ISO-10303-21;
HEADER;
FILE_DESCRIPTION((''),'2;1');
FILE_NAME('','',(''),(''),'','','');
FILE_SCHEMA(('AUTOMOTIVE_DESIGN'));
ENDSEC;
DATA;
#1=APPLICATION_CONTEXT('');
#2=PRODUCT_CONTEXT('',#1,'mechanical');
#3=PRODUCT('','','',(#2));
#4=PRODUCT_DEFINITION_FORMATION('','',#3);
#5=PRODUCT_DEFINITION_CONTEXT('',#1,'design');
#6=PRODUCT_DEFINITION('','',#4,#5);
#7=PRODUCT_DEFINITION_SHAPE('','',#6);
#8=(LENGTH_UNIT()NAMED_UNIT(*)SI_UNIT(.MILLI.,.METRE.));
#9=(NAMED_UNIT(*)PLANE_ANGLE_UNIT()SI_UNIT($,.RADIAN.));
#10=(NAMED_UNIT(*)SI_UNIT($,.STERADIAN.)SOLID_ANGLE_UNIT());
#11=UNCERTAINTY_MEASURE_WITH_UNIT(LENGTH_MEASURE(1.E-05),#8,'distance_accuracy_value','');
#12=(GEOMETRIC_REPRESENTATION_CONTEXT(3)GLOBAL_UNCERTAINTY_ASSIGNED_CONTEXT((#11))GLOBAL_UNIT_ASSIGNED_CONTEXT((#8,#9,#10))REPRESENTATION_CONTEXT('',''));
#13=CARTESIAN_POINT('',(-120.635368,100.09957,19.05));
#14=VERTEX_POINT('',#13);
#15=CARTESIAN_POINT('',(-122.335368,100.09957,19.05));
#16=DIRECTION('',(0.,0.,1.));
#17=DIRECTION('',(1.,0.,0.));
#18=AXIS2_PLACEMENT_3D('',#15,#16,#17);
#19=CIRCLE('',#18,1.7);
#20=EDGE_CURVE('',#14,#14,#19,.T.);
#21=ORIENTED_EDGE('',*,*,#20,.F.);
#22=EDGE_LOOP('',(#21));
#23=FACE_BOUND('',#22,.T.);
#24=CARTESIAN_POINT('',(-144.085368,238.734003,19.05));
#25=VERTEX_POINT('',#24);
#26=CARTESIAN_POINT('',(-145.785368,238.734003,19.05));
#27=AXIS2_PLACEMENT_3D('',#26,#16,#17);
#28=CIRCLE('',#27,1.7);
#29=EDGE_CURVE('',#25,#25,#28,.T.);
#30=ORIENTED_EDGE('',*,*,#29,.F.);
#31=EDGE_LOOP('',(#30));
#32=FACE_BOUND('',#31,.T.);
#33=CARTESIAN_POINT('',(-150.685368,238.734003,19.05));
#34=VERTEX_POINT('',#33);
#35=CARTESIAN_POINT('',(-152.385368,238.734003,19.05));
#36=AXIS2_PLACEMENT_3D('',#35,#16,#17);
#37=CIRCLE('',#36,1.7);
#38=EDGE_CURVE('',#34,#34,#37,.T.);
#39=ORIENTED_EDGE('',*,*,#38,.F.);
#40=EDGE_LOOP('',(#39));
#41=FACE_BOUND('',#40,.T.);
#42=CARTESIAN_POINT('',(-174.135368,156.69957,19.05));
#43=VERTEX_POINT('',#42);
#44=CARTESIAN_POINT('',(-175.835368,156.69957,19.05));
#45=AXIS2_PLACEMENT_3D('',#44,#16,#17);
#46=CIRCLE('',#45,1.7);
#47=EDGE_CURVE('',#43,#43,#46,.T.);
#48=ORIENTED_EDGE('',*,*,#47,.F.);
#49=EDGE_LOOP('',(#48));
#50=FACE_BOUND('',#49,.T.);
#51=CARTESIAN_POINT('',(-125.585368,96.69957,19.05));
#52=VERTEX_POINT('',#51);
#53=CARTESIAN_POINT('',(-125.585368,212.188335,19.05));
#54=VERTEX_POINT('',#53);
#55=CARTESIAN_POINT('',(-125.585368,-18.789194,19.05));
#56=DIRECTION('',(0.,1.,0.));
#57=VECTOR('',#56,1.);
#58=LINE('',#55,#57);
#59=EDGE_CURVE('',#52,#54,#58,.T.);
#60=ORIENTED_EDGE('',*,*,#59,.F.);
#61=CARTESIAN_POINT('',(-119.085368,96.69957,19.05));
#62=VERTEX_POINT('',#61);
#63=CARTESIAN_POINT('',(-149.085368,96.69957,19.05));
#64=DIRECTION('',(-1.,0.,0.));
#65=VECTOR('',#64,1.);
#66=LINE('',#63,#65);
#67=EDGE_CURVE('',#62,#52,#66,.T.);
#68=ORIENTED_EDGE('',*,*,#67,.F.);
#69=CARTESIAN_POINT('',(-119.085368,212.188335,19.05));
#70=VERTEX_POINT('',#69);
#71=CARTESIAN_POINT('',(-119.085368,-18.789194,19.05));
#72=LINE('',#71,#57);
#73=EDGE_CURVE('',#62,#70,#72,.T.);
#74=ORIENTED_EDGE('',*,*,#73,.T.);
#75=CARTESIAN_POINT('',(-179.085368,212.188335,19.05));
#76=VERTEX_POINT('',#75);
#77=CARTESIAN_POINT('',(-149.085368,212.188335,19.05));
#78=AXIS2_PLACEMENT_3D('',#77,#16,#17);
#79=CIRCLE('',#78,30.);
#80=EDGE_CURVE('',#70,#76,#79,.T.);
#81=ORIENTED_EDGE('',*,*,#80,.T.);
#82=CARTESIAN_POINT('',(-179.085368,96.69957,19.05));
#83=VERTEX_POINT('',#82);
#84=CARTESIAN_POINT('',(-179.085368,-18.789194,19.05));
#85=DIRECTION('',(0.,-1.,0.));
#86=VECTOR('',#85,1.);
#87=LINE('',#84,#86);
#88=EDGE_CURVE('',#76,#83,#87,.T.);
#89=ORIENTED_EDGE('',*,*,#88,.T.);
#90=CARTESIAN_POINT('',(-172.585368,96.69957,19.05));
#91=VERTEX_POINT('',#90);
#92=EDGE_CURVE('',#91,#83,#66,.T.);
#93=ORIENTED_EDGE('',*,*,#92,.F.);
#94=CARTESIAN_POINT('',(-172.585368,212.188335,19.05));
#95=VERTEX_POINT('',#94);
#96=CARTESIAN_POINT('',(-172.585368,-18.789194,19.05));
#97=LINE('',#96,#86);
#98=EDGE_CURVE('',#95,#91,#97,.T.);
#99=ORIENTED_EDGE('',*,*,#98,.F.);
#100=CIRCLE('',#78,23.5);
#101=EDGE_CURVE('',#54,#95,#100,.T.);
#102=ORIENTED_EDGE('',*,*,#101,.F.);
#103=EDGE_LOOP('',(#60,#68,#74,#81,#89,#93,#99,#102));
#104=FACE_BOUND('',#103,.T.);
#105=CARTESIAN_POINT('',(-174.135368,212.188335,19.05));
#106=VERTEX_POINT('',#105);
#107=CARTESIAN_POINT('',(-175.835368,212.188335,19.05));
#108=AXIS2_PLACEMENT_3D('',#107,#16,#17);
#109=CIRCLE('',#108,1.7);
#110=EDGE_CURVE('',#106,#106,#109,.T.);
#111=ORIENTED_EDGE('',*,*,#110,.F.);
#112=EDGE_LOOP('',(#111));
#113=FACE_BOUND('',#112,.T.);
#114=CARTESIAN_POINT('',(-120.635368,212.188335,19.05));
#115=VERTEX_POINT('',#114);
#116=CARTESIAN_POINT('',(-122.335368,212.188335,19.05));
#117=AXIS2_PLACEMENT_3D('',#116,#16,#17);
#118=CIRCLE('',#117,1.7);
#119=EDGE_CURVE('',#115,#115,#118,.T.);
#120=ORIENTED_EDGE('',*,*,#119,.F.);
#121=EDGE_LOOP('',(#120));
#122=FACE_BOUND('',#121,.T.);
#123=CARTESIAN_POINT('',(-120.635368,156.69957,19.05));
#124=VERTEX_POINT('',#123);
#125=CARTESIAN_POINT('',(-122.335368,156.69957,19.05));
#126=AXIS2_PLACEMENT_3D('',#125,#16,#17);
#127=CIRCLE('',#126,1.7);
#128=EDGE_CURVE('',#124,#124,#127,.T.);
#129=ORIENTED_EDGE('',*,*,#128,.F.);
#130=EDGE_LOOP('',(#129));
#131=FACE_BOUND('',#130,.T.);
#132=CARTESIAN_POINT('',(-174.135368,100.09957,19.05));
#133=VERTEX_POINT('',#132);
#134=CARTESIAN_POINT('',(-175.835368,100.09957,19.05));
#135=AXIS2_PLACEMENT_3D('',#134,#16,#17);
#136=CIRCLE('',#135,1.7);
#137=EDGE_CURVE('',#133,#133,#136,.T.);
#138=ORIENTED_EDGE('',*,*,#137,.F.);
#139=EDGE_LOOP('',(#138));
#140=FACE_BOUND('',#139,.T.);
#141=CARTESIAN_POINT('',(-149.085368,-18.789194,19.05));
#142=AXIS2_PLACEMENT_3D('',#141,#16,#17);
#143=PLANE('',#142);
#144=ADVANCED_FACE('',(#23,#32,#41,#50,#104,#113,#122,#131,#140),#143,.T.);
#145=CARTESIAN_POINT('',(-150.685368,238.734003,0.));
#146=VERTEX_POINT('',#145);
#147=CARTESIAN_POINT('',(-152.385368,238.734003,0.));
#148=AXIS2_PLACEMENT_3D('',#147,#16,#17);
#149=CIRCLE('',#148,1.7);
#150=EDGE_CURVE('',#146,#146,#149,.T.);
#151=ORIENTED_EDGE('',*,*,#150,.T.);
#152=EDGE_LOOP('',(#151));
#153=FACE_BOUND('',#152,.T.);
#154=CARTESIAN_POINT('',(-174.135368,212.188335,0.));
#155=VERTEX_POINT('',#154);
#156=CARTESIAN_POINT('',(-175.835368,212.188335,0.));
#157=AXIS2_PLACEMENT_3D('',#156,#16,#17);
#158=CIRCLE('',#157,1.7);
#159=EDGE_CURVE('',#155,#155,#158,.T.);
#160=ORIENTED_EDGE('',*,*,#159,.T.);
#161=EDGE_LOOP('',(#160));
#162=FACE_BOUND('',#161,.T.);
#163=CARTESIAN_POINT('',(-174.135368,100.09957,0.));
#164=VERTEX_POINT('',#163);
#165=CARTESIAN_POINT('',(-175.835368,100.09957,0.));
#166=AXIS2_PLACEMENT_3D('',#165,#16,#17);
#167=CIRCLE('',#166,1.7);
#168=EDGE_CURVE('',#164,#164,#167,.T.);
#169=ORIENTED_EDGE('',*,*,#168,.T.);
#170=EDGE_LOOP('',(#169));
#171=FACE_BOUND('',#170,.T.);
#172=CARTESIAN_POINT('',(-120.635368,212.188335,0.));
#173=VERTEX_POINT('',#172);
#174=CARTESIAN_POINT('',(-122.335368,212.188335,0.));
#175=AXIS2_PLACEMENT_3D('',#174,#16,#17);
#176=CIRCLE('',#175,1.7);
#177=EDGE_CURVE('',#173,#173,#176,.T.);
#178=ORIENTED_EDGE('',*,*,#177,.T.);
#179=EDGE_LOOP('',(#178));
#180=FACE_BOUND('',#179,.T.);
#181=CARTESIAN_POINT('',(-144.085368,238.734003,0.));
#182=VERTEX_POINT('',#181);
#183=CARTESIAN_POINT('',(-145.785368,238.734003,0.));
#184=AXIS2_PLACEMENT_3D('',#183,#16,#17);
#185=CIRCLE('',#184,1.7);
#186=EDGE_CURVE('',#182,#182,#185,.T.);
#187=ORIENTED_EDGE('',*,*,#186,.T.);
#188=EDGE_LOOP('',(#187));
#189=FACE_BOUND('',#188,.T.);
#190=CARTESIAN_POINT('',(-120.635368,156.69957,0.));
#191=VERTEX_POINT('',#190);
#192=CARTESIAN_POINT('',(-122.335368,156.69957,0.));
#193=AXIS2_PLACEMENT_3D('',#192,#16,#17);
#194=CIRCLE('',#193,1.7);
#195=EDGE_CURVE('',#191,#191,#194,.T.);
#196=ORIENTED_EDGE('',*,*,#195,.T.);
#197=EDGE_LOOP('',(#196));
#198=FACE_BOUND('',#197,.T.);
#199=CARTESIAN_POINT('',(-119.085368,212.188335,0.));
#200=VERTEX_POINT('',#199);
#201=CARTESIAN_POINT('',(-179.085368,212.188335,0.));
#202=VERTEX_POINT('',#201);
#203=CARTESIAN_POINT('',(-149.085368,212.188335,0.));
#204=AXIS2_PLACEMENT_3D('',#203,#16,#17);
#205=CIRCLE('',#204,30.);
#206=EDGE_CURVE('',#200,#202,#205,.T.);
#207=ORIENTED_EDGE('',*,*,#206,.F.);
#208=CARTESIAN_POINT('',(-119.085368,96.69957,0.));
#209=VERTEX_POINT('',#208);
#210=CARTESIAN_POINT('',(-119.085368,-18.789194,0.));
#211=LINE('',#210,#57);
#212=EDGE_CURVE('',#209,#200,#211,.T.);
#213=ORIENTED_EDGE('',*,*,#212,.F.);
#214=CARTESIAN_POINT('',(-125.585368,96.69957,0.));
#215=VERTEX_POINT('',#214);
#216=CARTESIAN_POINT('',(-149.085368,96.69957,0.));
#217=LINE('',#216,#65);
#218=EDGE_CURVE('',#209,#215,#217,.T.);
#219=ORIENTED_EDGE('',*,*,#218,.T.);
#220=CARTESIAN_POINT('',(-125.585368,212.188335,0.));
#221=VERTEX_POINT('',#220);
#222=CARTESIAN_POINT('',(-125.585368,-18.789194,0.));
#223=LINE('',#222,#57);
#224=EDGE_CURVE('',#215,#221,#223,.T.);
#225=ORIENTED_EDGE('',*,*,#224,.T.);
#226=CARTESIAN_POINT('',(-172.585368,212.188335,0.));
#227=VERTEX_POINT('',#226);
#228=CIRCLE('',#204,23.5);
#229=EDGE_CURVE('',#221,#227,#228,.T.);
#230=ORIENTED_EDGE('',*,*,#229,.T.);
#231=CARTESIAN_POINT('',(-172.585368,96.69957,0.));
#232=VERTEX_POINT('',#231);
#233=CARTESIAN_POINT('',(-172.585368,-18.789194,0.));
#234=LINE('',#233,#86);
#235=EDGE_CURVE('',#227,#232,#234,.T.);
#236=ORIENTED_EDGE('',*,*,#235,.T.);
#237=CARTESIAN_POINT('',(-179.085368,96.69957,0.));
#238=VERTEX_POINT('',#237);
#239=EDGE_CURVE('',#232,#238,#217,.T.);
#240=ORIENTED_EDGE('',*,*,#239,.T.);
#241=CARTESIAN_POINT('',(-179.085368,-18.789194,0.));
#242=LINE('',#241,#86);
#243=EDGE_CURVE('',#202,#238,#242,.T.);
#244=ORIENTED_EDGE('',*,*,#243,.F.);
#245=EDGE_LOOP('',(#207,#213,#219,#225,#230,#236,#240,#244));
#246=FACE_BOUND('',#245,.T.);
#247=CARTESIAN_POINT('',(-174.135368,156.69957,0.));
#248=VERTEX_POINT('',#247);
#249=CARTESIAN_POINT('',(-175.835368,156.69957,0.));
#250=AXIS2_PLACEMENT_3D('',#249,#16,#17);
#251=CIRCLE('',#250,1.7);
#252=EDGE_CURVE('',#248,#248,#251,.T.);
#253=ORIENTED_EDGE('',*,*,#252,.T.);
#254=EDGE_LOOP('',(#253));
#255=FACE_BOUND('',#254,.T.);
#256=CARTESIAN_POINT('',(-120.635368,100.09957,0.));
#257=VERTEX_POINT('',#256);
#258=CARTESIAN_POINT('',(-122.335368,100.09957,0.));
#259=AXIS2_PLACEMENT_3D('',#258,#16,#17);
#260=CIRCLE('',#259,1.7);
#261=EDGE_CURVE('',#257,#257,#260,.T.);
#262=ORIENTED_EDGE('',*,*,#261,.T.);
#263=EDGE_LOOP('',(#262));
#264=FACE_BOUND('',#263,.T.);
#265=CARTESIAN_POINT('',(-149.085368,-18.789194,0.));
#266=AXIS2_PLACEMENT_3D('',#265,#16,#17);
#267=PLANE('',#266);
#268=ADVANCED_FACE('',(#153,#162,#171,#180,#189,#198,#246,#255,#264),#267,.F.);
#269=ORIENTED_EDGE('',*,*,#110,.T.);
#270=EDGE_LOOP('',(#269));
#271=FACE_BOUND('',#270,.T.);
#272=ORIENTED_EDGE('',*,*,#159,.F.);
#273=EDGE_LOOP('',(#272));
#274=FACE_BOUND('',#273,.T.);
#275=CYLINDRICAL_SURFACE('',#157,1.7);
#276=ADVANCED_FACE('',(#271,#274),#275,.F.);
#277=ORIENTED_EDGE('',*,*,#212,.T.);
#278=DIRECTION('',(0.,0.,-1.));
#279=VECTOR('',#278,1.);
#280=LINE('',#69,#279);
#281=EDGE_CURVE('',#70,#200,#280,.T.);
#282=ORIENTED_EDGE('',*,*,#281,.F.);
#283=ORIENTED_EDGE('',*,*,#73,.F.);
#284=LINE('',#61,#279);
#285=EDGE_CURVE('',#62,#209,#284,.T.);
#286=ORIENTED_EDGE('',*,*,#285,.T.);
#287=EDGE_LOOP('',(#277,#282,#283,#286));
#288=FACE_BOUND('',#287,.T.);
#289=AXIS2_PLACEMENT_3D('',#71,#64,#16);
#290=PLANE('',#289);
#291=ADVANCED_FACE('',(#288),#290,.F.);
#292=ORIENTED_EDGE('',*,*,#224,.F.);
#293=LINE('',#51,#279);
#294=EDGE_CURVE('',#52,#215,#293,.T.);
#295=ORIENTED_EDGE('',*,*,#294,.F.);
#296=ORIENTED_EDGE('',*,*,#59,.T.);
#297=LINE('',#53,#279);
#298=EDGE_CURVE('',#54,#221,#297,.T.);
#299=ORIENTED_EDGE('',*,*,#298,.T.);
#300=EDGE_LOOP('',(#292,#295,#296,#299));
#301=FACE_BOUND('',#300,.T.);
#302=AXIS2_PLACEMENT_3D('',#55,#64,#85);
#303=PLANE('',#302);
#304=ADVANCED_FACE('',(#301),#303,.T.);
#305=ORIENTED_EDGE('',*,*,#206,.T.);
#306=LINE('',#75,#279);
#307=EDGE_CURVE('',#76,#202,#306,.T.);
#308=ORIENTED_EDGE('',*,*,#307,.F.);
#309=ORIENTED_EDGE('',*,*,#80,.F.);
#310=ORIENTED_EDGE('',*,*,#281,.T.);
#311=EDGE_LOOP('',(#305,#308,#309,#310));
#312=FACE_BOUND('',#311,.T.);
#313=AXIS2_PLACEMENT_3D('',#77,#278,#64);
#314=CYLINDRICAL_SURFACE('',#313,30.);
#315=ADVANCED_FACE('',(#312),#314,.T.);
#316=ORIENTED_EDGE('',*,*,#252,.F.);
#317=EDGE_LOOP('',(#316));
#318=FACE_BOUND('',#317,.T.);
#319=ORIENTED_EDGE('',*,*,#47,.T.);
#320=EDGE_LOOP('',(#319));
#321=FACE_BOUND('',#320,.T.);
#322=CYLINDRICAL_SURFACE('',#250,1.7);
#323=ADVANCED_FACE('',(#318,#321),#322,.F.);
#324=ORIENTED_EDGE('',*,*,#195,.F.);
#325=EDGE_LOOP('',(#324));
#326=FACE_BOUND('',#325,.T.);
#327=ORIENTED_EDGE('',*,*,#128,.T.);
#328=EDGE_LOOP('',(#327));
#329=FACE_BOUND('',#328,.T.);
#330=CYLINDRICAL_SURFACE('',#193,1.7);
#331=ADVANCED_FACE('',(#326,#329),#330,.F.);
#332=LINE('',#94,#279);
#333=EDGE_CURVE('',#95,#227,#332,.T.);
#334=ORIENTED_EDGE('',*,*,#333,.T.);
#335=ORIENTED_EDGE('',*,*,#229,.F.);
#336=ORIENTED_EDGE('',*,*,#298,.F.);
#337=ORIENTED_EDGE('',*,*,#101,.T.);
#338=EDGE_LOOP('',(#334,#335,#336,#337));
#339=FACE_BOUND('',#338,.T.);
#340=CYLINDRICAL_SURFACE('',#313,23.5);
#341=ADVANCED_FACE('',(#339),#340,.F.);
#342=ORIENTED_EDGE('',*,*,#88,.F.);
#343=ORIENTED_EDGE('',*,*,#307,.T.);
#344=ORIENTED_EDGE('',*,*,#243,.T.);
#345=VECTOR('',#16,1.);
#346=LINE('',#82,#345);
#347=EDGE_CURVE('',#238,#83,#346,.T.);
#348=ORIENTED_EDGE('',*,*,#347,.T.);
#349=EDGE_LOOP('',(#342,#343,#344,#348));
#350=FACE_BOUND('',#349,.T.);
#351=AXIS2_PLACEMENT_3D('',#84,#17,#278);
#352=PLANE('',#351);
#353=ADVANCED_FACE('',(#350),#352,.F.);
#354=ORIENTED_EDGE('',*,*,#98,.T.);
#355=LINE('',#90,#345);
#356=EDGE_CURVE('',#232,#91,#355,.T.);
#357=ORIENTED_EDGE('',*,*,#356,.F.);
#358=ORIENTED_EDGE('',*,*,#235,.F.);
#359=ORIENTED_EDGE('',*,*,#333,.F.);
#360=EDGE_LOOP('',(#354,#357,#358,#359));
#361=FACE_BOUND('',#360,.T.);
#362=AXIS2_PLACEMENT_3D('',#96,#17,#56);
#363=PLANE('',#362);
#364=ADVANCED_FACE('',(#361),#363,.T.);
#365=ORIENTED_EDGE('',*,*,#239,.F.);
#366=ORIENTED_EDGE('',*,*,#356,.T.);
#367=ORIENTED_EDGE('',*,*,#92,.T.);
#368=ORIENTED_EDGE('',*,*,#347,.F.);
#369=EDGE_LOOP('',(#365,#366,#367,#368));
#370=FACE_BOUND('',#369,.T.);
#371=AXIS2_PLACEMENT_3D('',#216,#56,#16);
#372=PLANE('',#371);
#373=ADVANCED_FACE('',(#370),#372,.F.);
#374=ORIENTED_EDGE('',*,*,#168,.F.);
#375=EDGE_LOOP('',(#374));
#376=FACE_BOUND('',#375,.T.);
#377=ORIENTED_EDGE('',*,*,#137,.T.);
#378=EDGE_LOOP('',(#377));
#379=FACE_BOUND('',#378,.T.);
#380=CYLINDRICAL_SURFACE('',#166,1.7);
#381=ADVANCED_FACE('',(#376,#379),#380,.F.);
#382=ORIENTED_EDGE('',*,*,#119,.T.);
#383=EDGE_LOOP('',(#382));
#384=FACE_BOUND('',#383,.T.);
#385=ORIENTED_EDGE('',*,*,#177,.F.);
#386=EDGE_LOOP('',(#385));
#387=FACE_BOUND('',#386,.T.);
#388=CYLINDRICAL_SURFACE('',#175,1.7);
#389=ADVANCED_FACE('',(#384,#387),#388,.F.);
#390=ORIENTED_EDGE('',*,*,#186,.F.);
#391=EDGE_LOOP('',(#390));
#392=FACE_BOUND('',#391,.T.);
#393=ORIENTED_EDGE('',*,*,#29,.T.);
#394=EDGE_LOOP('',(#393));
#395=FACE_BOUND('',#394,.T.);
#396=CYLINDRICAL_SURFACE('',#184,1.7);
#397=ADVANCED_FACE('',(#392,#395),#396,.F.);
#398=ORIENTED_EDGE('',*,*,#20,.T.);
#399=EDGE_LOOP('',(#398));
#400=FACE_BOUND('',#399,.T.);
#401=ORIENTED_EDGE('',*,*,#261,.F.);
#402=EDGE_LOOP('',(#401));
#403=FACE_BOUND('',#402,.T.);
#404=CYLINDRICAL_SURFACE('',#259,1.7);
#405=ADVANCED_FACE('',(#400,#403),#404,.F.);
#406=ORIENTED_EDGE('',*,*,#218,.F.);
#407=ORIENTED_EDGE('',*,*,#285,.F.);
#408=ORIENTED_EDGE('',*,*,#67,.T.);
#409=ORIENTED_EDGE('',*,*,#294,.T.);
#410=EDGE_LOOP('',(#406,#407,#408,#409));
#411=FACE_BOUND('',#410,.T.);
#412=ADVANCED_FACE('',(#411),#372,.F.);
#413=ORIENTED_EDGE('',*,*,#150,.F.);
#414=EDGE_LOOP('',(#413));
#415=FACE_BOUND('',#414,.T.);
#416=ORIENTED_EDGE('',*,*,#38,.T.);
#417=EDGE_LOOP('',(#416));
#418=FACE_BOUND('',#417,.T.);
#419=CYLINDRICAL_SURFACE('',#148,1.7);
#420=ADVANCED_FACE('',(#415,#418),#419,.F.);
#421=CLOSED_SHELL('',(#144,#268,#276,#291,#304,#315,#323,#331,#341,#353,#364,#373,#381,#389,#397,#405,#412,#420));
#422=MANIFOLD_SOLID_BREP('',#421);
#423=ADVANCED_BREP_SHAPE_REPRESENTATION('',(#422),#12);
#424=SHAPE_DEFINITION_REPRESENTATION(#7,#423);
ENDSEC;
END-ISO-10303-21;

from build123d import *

# Parameters (mm, degrees)
BOSS_EXTRUDE1_DEPTH = 19.05
SKETCH2_R           = 1.7
CUT_EXTRUDE1_DEPTH  = 20.05
CUT_EXTRUDE2_DEPTH  = 20.05


with BuildPart() as part:
    # Sketch1 → Boss-Extrude1 (new body)
    with BuildSketch(Plane.XY):
        with BuildLine():
            Line((-179.085368151, -18.789194183), (-179.085368151, 212.188334746))
            ThreePointArc((-179.085368151, 212.188334746), (-149.085368151, 242.188334746), (-119.085368151, 212.188334746))
            Line((-119.085368151, 212.188334746), (-119.085368151, -18.789194183))
            ThreePointArc((-119.085368151, -18.789194183), (-149.085368151, -48.789194183), (-179.085368151, -18.789194183))
        make_face()
        with BuildLine():
            Line((-172.585368151, -18.789194183), (-172.585368151, 212.188334746))
            ThreePointArc((-172.585368151, 212.188334746), (-149.085368151, 235.688334746), (-125.585368151, 212.188334746))
            Line((-125.585368151, 212.188334746), (-125.585368151, -18.789194183))
            ThreePointArc((-125.585368151, -18.789194183), (-149.085368151, -42.289194183), (-172.585368151, -18.789194183))
        make_face(mode=Mode.SUBTRACT)
    extrude(amount=BOSS_EXTRUDE1_DEPTH)

    # Sketch2 → Cut-Extrude1 (cut, through all)
    with BuildSketch(Plane.XY.offset(19.05)):
        with Locations((-145.785368151, 238.734002942)):
            Circle(SKETCH2_R)
        with Locations((-122.335368151, 212.188334746)):
            Circle(SKETCH2_R)
        with Locations((-152.485368151, -45.322239617)):
            Circle(SKETCH2_R)
        with Locations((-168.000474547, -37.70430058)):
            Circle(SKETCH2_R)
        with Locations((-175.835368151, -18.789194183)):
            Circle(SKETCH2_R)
        with Locations((-175.835368151, 212.188334746)):
            Circle(SKETCH2_R)
        with Locations((-145.685368151, -45.322239617)):
            Circle(SKETCH2_R)
        with Locations((-175.835368151, 100.099570281)):
            Circle(SKETCH2_R)
        with Locations((-175.835368151, 93.299570281)):
            Circle(SKETCH2_R)
        with Locations((-122.335368151, 100.099570281)):
            Circle(SKETCH2_R)
        with Locations((-122.335368151, 93.299570281)):
            Circle(SKETCH2_R)
        with Locations((-122.335368151, -18.789194183)):
            Circle(SKETCH2_R)
        with Locations((-130.170261754, -37.70430058)):
            Circle(SKETCH2_R)
        with Locations((-175.835368151, 156.699570281)):
            Circle(SKETCH2_R)
        with Locations((-122.335368151, 156.699570281)):
            Circle(SKETCH2_R)
        with Locations((-175.835368151, 66.699570281)):
            Circle(SKETCH2_R)
        with Locations((-122.335368151, 66.699570281)):
            Circle(SKETCH2_R)
        with Locations((-175.835368151, 36.699570281)):
            Circle(SKETCH2_R)
        with Locations((-122.335368151, 36.699570281)):
            Circle(SKETCH2_R)
        with Locations((-175.835368151, 6.699570281)):
            Circle(SKETCH2_R)
        with Locations((-122.335368151, 6.699570281)):
            Circle(SKETCH2_R)
        with Locations((-152.385368151, 238.734002942)):
            Circle(SKETCH2_R)
    extrude(amount=-CUT_EXTRUDE1_DEPTH, mode=Mode.SUBTRACT)

    # Sketch3 → Cut-Extrude2 (cut, through all)
    with BuildSketch(Plane.XY.offset(19.05)):
        Polygon((-149.085368151, 96.699570281), (-100.167336626, 96.699570281), (-100.167336626, -59.171887956), (-212.527814826, -59.171887956), (-212.527814826, 96.699570281), align=None)
    extrude(amount=-CUT_EXTRUDE2_DEPTH, mode=Mode.SUBTRACT)


solid = part.part
